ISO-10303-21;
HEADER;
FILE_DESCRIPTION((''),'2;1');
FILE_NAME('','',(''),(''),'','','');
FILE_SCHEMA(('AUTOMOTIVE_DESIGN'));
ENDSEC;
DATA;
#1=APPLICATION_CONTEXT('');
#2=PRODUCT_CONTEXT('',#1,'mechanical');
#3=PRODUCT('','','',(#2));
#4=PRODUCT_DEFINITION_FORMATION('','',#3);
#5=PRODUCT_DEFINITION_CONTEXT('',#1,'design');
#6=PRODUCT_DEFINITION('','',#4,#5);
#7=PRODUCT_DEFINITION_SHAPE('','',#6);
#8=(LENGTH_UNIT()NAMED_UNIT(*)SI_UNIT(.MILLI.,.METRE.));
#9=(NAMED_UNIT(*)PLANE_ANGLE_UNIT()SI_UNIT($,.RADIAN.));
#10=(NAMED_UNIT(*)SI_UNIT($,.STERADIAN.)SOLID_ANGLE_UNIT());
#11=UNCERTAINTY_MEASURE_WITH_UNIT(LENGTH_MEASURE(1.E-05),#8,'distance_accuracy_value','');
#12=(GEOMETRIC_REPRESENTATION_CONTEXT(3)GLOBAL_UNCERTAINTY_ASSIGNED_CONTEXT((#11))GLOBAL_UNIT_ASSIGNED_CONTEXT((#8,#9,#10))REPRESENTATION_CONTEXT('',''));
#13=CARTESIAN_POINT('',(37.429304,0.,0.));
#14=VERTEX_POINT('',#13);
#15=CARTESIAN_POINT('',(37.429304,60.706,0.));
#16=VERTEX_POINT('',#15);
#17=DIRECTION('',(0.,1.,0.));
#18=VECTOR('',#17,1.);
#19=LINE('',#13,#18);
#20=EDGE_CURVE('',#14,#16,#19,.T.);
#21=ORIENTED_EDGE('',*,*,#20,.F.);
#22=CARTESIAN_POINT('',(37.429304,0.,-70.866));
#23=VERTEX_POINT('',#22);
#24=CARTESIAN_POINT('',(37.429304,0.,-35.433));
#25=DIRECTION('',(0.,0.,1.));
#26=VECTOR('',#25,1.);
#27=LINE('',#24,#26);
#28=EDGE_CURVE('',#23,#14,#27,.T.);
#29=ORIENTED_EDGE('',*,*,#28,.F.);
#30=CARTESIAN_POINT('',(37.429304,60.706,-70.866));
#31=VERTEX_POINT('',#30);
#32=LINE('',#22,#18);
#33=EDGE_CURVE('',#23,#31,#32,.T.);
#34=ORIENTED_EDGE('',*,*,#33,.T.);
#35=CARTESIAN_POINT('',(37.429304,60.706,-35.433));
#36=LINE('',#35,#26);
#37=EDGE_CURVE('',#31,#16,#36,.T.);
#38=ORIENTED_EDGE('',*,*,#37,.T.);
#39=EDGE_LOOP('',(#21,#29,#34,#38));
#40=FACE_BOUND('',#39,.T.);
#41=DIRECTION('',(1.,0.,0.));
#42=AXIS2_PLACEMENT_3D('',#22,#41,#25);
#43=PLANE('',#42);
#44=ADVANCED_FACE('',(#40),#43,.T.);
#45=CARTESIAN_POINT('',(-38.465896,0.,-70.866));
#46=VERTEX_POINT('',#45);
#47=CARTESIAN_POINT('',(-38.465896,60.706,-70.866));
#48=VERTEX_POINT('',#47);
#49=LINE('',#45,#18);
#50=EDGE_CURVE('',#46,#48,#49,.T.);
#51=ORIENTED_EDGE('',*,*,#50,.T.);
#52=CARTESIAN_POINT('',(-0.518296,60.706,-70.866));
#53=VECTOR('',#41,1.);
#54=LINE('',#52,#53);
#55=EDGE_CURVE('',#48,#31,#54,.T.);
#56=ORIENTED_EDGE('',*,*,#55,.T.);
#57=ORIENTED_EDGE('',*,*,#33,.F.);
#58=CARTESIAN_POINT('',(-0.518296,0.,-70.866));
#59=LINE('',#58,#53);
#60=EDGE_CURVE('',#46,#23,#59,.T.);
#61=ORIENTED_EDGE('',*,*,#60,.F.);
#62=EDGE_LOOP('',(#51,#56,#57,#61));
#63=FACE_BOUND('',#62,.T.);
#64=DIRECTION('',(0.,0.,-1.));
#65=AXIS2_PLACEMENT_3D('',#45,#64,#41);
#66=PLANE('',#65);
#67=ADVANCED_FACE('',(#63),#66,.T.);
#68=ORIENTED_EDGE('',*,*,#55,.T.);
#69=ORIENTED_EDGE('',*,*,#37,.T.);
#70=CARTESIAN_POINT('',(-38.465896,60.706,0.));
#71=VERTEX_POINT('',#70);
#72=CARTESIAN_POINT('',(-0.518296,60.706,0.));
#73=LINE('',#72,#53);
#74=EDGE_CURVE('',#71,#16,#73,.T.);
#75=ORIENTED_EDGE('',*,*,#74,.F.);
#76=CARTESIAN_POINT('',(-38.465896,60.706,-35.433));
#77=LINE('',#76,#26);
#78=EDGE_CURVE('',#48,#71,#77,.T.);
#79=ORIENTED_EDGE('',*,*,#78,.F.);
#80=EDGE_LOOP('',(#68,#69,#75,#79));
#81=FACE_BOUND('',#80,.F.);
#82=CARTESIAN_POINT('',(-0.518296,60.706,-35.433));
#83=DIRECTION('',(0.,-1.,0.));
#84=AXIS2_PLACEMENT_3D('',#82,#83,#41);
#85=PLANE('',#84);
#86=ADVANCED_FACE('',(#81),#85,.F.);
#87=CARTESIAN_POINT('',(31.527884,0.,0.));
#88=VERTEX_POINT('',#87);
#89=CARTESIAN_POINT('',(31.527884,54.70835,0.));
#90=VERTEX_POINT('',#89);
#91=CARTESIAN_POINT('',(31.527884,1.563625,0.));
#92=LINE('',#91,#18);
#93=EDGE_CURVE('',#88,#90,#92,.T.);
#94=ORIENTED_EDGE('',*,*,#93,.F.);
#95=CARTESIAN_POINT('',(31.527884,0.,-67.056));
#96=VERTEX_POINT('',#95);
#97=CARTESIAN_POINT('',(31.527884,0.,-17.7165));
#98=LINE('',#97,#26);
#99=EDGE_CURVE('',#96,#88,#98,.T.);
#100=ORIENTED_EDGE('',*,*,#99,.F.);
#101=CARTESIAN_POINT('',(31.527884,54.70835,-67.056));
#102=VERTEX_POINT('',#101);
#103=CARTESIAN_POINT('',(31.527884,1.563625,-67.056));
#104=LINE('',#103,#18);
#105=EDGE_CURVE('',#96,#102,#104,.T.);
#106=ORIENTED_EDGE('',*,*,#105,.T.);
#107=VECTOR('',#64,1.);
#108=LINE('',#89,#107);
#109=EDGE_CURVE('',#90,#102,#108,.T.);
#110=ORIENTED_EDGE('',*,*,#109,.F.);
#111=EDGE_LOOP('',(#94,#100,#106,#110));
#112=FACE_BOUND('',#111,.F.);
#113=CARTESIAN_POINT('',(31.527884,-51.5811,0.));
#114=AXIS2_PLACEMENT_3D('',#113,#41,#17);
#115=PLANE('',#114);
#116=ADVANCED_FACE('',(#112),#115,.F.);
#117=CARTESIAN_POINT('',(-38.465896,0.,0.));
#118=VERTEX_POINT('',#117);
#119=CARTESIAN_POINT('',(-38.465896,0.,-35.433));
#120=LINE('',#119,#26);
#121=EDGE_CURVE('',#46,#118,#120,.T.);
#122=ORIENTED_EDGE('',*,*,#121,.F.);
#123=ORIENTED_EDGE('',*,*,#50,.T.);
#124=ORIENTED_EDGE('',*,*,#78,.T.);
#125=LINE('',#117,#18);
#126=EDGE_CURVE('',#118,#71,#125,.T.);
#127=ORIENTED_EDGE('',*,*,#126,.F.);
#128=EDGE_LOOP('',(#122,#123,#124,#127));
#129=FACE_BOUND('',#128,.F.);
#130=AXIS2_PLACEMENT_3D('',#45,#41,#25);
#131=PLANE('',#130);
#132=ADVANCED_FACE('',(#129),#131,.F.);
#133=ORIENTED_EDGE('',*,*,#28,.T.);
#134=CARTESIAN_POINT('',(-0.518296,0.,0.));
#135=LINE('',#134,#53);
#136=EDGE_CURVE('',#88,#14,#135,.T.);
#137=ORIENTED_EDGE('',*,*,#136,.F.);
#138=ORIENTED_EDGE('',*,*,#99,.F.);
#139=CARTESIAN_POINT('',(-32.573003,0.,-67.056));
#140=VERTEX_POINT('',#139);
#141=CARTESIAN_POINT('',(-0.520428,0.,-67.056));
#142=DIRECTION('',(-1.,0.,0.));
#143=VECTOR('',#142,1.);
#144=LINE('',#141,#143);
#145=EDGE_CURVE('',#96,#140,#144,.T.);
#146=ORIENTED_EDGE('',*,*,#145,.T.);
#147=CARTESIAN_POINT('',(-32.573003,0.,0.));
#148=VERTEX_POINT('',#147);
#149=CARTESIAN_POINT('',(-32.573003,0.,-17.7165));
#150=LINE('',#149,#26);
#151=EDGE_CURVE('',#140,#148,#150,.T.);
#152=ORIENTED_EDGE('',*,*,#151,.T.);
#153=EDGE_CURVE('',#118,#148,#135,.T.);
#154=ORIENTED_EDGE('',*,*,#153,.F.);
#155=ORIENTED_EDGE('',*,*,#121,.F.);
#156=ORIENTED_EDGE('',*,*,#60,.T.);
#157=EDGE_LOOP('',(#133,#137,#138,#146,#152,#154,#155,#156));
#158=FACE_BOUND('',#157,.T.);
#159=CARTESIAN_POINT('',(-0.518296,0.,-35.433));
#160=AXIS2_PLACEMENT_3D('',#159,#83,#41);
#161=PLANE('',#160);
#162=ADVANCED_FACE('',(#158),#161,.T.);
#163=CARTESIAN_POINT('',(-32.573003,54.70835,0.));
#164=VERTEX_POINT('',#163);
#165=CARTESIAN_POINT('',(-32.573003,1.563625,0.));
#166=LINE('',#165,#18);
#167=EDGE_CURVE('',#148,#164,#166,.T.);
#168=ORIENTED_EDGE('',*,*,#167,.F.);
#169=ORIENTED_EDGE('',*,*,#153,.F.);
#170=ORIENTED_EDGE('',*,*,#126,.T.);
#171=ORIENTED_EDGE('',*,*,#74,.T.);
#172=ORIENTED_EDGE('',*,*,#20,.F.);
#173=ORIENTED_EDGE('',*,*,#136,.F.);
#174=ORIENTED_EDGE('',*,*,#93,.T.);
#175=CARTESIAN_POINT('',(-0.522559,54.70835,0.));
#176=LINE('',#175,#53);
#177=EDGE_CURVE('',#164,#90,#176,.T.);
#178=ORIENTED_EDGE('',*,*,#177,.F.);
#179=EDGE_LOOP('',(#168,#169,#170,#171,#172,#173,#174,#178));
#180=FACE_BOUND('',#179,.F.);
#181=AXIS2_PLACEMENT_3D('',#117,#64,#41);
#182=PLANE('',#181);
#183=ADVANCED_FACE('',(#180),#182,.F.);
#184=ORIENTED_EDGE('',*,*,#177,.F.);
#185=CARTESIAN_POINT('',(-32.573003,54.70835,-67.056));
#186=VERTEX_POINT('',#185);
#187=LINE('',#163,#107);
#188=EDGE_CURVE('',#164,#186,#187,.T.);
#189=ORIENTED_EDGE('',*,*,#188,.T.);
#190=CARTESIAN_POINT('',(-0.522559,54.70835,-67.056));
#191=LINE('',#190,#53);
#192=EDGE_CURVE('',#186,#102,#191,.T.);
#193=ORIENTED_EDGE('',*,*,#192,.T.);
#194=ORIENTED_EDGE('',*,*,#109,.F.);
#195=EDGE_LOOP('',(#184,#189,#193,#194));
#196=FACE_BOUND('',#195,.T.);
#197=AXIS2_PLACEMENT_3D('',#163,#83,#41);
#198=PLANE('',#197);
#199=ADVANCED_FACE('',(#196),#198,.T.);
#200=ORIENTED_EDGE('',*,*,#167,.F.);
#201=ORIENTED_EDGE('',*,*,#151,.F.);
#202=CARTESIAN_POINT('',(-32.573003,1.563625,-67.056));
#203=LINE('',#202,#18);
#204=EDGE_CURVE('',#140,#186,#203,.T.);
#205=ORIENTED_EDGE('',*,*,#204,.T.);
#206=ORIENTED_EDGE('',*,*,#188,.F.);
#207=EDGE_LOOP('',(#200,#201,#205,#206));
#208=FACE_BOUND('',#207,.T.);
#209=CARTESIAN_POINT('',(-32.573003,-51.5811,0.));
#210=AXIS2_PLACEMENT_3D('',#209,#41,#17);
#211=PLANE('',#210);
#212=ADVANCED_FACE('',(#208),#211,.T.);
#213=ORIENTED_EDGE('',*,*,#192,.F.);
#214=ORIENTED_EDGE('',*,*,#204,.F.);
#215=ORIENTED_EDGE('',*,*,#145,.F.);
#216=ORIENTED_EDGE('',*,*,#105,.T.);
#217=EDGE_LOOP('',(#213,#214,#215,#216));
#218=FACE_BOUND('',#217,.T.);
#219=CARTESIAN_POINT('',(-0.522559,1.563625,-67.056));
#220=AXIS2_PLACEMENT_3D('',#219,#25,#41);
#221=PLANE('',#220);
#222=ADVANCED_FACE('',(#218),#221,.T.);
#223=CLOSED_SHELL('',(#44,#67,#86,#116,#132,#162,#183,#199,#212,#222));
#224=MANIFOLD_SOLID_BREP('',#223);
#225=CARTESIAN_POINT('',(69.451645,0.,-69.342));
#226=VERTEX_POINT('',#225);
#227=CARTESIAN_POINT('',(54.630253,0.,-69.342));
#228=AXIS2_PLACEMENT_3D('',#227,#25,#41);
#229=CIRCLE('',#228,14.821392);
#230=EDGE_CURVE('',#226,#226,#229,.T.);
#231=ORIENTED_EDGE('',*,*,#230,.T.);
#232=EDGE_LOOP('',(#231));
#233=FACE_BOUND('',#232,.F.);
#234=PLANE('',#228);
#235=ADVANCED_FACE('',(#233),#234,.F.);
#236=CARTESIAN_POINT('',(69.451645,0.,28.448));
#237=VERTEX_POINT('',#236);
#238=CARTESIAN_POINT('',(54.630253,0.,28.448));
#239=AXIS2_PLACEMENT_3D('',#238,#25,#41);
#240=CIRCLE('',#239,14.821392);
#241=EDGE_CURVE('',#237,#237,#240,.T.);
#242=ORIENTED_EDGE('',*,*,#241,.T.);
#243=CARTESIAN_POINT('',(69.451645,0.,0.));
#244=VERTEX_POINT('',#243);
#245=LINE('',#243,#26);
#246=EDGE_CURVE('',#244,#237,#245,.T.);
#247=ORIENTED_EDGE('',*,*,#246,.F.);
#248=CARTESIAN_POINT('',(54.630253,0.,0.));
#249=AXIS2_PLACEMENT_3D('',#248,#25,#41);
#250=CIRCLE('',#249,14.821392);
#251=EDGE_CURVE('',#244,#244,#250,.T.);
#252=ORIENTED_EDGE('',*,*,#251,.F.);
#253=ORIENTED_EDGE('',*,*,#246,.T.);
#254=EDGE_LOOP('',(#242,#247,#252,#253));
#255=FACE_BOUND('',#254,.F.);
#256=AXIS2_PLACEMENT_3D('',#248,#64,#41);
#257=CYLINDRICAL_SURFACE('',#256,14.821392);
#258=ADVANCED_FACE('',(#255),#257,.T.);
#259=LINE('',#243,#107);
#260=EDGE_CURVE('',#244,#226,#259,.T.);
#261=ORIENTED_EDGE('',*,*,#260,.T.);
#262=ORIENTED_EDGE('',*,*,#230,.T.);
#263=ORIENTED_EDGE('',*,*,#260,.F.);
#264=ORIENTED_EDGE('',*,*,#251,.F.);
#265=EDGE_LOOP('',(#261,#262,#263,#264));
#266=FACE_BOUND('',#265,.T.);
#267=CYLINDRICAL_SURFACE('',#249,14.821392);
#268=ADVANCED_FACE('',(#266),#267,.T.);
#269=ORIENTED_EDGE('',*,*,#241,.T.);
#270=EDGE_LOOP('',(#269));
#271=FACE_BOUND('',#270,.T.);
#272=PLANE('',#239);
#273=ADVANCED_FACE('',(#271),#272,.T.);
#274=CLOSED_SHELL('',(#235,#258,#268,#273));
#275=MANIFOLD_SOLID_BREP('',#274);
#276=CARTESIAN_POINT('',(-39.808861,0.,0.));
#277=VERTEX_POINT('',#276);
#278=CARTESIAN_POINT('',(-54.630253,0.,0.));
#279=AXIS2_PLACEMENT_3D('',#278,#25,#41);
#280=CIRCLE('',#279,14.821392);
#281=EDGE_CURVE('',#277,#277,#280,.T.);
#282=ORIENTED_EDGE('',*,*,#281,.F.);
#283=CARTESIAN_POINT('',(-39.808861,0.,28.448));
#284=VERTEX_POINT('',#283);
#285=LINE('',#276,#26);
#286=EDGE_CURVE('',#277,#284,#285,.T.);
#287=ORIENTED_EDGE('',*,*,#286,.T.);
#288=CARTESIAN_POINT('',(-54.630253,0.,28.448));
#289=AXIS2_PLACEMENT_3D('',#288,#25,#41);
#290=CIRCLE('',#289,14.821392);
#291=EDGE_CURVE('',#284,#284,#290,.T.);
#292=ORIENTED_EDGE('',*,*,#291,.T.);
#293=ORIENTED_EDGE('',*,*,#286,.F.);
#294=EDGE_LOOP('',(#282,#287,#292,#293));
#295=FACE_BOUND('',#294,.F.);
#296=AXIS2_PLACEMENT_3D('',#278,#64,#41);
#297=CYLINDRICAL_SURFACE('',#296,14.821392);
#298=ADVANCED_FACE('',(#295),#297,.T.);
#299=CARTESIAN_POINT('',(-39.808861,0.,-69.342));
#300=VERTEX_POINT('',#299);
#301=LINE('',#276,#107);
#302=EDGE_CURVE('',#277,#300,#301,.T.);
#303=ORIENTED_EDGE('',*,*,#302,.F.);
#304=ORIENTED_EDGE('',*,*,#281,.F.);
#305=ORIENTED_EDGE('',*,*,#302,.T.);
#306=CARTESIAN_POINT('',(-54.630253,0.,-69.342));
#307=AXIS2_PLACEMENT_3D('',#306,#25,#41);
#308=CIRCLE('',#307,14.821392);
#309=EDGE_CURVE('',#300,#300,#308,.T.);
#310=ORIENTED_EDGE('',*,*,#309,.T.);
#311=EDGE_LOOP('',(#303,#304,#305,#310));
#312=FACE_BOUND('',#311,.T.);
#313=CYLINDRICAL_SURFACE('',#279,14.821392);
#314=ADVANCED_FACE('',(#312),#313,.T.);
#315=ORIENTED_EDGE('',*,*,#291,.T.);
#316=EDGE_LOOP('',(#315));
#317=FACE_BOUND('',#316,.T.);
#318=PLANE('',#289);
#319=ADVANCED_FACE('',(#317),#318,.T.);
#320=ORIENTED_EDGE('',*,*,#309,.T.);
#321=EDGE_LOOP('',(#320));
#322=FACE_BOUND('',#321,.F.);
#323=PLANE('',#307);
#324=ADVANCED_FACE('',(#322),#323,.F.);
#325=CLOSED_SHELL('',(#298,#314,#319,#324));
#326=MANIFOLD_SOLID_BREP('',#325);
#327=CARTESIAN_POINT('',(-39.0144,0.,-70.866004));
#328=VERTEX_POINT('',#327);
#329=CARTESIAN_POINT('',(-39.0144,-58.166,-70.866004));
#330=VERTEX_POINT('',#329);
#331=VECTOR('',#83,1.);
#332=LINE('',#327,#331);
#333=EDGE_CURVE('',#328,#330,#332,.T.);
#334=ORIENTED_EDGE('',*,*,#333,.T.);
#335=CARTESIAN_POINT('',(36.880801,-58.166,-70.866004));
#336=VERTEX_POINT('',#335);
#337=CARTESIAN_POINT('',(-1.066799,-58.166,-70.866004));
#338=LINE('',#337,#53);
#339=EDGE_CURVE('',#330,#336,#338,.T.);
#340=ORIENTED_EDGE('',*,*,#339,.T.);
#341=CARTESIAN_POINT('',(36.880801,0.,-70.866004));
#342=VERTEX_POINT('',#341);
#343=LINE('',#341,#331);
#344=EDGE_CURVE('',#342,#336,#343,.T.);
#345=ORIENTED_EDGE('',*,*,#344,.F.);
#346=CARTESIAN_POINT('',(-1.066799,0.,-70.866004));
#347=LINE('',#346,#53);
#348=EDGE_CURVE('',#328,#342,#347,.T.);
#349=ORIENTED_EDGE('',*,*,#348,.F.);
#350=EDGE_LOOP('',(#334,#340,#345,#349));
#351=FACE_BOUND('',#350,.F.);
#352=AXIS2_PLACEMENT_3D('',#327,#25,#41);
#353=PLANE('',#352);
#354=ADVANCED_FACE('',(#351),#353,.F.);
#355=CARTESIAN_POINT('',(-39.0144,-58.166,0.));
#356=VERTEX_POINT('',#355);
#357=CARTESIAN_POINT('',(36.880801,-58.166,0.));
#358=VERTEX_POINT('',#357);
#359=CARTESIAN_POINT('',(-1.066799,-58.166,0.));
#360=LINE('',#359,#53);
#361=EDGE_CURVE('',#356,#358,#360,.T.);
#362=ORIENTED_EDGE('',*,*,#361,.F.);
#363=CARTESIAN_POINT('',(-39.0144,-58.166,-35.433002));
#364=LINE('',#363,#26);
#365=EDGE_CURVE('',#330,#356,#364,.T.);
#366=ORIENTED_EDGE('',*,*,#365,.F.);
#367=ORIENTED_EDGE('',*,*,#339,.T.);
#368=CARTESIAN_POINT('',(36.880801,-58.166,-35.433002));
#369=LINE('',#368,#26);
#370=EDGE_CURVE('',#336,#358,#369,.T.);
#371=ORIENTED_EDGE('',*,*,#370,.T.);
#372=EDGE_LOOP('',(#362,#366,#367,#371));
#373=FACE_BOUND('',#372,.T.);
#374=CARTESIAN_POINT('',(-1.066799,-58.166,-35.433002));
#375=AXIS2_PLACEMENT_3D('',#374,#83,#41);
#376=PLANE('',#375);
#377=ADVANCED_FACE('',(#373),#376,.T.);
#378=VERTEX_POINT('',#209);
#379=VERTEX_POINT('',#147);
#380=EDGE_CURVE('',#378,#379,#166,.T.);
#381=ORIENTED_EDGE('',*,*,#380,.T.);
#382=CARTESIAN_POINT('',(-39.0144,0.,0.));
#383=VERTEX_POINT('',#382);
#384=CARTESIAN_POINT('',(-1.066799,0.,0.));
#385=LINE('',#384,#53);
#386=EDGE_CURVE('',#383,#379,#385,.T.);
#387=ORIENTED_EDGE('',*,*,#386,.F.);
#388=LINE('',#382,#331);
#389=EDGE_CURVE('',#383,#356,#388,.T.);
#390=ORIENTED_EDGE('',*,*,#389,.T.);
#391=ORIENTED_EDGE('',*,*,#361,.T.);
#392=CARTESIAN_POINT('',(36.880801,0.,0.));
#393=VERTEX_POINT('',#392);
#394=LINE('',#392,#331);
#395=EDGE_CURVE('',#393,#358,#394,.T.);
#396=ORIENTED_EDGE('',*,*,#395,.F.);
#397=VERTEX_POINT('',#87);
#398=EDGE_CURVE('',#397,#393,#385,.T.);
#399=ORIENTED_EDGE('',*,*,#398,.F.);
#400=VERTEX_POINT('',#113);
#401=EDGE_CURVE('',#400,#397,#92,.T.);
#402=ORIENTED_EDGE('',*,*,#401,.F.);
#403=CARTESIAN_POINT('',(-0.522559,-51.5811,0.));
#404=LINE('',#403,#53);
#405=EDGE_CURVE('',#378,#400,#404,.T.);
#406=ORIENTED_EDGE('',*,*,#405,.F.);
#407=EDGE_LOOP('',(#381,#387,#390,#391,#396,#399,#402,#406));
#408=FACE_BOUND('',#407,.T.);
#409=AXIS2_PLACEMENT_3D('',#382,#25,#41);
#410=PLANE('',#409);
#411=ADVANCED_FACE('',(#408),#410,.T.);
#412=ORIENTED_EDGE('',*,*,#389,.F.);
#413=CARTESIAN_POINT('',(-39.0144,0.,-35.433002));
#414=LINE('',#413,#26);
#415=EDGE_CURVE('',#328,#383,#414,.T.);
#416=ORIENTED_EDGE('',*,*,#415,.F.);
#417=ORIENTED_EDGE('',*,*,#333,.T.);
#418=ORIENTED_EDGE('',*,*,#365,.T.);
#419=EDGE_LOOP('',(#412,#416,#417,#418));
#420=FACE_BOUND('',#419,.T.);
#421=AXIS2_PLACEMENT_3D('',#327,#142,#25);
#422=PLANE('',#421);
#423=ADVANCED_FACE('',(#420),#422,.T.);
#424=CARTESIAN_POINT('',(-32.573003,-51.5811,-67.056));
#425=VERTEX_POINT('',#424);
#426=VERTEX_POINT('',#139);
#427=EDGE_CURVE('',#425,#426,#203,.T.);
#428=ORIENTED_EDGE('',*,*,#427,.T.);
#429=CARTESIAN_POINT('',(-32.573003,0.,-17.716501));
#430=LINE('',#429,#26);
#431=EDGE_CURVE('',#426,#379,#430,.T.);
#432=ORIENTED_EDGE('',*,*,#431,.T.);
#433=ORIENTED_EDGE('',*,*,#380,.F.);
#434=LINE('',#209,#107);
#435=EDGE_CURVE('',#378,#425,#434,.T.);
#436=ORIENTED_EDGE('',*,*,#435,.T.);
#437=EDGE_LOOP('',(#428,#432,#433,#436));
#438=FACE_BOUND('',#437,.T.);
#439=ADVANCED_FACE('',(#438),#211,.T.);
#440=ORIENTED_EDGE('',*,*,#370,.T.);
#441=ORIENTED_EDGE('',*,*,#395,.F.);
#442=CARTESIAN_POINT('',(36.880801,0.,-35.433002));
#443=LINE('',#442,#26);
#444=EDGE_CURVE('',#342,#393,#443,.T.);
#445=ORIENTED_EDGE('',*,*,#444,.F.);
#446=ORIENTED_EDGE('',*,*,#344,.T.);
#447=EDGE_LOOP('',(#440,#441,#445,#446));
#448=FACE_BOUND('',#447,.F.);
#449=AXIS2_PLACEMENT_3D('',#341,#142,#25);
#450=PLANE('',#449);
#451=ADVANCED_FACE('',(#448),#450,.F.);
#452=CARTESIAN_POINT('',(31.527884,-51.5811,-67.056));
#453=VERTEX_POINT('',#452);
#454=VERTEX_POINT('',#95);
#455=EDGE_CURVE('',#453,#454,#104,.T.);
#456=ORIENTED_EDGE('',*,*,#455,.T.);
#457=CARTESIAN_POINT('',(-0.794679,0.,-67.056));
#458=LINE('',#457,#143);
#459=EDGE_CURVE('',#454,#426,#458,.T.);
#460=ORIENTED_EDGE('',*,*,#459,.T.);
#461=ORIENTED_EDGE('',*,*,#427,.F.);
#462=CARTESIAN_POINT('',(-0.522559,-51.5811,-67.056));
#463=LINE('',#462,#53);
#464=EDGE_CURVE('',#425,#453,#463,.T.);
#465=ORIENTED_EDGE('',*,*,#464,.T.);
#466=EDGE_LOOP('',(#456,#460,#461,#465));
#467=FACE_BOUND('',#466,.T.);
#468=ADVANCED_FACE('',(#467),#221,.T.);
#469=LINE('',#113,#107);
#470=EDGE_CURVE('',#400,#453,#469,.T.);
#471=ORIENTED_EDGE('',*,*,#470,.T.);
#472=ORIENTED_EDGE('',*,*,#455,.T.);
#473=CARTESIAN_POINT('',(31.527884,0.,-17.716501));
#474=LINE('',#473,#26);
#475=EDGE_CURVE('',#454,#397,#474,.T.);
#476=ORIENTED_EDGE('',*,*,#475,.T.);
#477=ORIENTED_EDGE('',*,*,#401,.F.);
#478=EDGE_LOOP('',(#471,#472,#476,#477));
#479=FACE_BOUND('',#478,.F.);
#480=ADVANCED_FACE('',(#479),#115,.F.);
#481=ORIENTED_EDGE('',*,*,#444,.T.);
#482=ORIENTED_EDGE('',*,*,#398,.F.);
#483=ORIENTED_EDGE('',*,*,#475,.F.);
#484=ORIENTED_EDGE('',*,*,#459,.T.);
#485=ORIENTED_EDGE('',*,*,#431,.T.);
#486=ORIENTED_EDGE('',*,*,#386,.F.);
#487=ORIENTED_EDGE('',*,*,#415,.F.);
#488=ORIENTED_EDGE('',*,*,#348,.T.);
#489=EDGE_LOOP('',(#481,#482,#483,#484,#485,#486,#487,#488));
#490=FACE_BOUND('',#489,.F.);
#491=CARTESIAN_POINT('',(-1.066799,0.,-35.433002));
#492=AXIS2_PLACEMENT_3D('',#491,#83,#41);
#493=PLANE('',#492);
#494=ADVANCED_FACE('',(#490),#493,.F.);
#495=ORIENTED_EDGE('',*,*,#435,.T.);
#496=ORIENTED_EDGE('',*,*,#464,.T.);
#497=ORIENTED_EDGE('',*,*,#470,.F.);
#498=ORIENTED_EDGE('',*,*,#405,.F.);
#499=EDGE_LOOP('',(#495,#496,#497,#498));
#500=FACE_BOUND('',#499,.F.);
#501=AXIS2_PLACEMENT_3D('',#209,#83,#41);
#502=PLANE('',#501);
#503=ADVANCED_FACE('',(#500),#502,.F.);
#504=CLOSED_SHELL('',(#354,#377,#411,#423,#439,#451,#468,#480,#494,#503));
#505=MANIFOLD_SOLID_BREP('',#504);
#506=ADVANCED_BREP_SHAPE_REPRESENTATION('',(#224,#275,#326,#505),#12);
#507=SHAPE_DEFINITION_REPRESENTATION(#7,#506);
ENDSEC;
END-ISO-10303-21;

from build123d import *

# Parameters (mm, degrees)
F1_R     = 14.821392
F2_DEPTH = 69.342
F0_W     = 75.895201
F0_H     = 70.866004
F3_DEPTH = 58.166
F4_W     = 75.8952
F4_H     = 70.866
F5_DEPTH = 60.706
F6_W     = 64.100887
F6_H     = 106.28945
F7_DEPTH = 67.056
F8_DEPTH = 28.448


with BuildPart() as f2:
    # F1 (on Top) → F2 (new body)
    with BuildSketch(Plane.XY):
        with Locations((-54.630253, 0)):
            Circle(F1_R)
        with Locations((54.630253, 0)):
            Circle(F1_R)
    extrude(amount=-F2_DEPTH)

    # F1 (on Top) → F8 (join)
    with BuildSketch(Plane.XY):
        with Locations((-54.630253, 0)):
            Circle(F1_R)
        with Locations((54.630253, 0)):
            Circle(F1_R)
    extrude(amount=F8_DEPTH)


with BuildPart() as f3:
    # F0 (on Front) → F3 (new body)
    with BuildSketch(Plane.XZ):
        with Locations((-1.066799, -35.433002)):
            Rectangle(F0_W, F0_H)
    extrude(amount=F3_DEPTH)


with BuildPart() as f5:
    # F4 (on Front) → F5 (new body)
    with BuildSketch(Plane.XZ):
        with Locations((-0.518296, -35.433)):
            Rectangle(F4_W, F4_H)
    extrude(amount=-F5_DEPTH)


with BuildPart() as f7_tool:
    # F6 (on Top) → F7 (new body)
    with BuildSketch(Plane.XY):
        with Locations((-0.522559, 1.563625)):
            Rectangle(F6_W, F6_H)
    extrude(amount=-F7_DEPTH)


with BuildPart() as f3_1:
    add(f3.part)

    # F7: cut by f7_tool
    add(f7_tool.part, mode=Mode.SUBTRACT)


with BuildPart() as f5_1:
    add(f5.part)

    # F7: cut by f7_tool
    add(f7_tool.part, mode=Mode.SUBTRACT)


solid = Compound([f2.part, f3_1.part, f5_1.part])
